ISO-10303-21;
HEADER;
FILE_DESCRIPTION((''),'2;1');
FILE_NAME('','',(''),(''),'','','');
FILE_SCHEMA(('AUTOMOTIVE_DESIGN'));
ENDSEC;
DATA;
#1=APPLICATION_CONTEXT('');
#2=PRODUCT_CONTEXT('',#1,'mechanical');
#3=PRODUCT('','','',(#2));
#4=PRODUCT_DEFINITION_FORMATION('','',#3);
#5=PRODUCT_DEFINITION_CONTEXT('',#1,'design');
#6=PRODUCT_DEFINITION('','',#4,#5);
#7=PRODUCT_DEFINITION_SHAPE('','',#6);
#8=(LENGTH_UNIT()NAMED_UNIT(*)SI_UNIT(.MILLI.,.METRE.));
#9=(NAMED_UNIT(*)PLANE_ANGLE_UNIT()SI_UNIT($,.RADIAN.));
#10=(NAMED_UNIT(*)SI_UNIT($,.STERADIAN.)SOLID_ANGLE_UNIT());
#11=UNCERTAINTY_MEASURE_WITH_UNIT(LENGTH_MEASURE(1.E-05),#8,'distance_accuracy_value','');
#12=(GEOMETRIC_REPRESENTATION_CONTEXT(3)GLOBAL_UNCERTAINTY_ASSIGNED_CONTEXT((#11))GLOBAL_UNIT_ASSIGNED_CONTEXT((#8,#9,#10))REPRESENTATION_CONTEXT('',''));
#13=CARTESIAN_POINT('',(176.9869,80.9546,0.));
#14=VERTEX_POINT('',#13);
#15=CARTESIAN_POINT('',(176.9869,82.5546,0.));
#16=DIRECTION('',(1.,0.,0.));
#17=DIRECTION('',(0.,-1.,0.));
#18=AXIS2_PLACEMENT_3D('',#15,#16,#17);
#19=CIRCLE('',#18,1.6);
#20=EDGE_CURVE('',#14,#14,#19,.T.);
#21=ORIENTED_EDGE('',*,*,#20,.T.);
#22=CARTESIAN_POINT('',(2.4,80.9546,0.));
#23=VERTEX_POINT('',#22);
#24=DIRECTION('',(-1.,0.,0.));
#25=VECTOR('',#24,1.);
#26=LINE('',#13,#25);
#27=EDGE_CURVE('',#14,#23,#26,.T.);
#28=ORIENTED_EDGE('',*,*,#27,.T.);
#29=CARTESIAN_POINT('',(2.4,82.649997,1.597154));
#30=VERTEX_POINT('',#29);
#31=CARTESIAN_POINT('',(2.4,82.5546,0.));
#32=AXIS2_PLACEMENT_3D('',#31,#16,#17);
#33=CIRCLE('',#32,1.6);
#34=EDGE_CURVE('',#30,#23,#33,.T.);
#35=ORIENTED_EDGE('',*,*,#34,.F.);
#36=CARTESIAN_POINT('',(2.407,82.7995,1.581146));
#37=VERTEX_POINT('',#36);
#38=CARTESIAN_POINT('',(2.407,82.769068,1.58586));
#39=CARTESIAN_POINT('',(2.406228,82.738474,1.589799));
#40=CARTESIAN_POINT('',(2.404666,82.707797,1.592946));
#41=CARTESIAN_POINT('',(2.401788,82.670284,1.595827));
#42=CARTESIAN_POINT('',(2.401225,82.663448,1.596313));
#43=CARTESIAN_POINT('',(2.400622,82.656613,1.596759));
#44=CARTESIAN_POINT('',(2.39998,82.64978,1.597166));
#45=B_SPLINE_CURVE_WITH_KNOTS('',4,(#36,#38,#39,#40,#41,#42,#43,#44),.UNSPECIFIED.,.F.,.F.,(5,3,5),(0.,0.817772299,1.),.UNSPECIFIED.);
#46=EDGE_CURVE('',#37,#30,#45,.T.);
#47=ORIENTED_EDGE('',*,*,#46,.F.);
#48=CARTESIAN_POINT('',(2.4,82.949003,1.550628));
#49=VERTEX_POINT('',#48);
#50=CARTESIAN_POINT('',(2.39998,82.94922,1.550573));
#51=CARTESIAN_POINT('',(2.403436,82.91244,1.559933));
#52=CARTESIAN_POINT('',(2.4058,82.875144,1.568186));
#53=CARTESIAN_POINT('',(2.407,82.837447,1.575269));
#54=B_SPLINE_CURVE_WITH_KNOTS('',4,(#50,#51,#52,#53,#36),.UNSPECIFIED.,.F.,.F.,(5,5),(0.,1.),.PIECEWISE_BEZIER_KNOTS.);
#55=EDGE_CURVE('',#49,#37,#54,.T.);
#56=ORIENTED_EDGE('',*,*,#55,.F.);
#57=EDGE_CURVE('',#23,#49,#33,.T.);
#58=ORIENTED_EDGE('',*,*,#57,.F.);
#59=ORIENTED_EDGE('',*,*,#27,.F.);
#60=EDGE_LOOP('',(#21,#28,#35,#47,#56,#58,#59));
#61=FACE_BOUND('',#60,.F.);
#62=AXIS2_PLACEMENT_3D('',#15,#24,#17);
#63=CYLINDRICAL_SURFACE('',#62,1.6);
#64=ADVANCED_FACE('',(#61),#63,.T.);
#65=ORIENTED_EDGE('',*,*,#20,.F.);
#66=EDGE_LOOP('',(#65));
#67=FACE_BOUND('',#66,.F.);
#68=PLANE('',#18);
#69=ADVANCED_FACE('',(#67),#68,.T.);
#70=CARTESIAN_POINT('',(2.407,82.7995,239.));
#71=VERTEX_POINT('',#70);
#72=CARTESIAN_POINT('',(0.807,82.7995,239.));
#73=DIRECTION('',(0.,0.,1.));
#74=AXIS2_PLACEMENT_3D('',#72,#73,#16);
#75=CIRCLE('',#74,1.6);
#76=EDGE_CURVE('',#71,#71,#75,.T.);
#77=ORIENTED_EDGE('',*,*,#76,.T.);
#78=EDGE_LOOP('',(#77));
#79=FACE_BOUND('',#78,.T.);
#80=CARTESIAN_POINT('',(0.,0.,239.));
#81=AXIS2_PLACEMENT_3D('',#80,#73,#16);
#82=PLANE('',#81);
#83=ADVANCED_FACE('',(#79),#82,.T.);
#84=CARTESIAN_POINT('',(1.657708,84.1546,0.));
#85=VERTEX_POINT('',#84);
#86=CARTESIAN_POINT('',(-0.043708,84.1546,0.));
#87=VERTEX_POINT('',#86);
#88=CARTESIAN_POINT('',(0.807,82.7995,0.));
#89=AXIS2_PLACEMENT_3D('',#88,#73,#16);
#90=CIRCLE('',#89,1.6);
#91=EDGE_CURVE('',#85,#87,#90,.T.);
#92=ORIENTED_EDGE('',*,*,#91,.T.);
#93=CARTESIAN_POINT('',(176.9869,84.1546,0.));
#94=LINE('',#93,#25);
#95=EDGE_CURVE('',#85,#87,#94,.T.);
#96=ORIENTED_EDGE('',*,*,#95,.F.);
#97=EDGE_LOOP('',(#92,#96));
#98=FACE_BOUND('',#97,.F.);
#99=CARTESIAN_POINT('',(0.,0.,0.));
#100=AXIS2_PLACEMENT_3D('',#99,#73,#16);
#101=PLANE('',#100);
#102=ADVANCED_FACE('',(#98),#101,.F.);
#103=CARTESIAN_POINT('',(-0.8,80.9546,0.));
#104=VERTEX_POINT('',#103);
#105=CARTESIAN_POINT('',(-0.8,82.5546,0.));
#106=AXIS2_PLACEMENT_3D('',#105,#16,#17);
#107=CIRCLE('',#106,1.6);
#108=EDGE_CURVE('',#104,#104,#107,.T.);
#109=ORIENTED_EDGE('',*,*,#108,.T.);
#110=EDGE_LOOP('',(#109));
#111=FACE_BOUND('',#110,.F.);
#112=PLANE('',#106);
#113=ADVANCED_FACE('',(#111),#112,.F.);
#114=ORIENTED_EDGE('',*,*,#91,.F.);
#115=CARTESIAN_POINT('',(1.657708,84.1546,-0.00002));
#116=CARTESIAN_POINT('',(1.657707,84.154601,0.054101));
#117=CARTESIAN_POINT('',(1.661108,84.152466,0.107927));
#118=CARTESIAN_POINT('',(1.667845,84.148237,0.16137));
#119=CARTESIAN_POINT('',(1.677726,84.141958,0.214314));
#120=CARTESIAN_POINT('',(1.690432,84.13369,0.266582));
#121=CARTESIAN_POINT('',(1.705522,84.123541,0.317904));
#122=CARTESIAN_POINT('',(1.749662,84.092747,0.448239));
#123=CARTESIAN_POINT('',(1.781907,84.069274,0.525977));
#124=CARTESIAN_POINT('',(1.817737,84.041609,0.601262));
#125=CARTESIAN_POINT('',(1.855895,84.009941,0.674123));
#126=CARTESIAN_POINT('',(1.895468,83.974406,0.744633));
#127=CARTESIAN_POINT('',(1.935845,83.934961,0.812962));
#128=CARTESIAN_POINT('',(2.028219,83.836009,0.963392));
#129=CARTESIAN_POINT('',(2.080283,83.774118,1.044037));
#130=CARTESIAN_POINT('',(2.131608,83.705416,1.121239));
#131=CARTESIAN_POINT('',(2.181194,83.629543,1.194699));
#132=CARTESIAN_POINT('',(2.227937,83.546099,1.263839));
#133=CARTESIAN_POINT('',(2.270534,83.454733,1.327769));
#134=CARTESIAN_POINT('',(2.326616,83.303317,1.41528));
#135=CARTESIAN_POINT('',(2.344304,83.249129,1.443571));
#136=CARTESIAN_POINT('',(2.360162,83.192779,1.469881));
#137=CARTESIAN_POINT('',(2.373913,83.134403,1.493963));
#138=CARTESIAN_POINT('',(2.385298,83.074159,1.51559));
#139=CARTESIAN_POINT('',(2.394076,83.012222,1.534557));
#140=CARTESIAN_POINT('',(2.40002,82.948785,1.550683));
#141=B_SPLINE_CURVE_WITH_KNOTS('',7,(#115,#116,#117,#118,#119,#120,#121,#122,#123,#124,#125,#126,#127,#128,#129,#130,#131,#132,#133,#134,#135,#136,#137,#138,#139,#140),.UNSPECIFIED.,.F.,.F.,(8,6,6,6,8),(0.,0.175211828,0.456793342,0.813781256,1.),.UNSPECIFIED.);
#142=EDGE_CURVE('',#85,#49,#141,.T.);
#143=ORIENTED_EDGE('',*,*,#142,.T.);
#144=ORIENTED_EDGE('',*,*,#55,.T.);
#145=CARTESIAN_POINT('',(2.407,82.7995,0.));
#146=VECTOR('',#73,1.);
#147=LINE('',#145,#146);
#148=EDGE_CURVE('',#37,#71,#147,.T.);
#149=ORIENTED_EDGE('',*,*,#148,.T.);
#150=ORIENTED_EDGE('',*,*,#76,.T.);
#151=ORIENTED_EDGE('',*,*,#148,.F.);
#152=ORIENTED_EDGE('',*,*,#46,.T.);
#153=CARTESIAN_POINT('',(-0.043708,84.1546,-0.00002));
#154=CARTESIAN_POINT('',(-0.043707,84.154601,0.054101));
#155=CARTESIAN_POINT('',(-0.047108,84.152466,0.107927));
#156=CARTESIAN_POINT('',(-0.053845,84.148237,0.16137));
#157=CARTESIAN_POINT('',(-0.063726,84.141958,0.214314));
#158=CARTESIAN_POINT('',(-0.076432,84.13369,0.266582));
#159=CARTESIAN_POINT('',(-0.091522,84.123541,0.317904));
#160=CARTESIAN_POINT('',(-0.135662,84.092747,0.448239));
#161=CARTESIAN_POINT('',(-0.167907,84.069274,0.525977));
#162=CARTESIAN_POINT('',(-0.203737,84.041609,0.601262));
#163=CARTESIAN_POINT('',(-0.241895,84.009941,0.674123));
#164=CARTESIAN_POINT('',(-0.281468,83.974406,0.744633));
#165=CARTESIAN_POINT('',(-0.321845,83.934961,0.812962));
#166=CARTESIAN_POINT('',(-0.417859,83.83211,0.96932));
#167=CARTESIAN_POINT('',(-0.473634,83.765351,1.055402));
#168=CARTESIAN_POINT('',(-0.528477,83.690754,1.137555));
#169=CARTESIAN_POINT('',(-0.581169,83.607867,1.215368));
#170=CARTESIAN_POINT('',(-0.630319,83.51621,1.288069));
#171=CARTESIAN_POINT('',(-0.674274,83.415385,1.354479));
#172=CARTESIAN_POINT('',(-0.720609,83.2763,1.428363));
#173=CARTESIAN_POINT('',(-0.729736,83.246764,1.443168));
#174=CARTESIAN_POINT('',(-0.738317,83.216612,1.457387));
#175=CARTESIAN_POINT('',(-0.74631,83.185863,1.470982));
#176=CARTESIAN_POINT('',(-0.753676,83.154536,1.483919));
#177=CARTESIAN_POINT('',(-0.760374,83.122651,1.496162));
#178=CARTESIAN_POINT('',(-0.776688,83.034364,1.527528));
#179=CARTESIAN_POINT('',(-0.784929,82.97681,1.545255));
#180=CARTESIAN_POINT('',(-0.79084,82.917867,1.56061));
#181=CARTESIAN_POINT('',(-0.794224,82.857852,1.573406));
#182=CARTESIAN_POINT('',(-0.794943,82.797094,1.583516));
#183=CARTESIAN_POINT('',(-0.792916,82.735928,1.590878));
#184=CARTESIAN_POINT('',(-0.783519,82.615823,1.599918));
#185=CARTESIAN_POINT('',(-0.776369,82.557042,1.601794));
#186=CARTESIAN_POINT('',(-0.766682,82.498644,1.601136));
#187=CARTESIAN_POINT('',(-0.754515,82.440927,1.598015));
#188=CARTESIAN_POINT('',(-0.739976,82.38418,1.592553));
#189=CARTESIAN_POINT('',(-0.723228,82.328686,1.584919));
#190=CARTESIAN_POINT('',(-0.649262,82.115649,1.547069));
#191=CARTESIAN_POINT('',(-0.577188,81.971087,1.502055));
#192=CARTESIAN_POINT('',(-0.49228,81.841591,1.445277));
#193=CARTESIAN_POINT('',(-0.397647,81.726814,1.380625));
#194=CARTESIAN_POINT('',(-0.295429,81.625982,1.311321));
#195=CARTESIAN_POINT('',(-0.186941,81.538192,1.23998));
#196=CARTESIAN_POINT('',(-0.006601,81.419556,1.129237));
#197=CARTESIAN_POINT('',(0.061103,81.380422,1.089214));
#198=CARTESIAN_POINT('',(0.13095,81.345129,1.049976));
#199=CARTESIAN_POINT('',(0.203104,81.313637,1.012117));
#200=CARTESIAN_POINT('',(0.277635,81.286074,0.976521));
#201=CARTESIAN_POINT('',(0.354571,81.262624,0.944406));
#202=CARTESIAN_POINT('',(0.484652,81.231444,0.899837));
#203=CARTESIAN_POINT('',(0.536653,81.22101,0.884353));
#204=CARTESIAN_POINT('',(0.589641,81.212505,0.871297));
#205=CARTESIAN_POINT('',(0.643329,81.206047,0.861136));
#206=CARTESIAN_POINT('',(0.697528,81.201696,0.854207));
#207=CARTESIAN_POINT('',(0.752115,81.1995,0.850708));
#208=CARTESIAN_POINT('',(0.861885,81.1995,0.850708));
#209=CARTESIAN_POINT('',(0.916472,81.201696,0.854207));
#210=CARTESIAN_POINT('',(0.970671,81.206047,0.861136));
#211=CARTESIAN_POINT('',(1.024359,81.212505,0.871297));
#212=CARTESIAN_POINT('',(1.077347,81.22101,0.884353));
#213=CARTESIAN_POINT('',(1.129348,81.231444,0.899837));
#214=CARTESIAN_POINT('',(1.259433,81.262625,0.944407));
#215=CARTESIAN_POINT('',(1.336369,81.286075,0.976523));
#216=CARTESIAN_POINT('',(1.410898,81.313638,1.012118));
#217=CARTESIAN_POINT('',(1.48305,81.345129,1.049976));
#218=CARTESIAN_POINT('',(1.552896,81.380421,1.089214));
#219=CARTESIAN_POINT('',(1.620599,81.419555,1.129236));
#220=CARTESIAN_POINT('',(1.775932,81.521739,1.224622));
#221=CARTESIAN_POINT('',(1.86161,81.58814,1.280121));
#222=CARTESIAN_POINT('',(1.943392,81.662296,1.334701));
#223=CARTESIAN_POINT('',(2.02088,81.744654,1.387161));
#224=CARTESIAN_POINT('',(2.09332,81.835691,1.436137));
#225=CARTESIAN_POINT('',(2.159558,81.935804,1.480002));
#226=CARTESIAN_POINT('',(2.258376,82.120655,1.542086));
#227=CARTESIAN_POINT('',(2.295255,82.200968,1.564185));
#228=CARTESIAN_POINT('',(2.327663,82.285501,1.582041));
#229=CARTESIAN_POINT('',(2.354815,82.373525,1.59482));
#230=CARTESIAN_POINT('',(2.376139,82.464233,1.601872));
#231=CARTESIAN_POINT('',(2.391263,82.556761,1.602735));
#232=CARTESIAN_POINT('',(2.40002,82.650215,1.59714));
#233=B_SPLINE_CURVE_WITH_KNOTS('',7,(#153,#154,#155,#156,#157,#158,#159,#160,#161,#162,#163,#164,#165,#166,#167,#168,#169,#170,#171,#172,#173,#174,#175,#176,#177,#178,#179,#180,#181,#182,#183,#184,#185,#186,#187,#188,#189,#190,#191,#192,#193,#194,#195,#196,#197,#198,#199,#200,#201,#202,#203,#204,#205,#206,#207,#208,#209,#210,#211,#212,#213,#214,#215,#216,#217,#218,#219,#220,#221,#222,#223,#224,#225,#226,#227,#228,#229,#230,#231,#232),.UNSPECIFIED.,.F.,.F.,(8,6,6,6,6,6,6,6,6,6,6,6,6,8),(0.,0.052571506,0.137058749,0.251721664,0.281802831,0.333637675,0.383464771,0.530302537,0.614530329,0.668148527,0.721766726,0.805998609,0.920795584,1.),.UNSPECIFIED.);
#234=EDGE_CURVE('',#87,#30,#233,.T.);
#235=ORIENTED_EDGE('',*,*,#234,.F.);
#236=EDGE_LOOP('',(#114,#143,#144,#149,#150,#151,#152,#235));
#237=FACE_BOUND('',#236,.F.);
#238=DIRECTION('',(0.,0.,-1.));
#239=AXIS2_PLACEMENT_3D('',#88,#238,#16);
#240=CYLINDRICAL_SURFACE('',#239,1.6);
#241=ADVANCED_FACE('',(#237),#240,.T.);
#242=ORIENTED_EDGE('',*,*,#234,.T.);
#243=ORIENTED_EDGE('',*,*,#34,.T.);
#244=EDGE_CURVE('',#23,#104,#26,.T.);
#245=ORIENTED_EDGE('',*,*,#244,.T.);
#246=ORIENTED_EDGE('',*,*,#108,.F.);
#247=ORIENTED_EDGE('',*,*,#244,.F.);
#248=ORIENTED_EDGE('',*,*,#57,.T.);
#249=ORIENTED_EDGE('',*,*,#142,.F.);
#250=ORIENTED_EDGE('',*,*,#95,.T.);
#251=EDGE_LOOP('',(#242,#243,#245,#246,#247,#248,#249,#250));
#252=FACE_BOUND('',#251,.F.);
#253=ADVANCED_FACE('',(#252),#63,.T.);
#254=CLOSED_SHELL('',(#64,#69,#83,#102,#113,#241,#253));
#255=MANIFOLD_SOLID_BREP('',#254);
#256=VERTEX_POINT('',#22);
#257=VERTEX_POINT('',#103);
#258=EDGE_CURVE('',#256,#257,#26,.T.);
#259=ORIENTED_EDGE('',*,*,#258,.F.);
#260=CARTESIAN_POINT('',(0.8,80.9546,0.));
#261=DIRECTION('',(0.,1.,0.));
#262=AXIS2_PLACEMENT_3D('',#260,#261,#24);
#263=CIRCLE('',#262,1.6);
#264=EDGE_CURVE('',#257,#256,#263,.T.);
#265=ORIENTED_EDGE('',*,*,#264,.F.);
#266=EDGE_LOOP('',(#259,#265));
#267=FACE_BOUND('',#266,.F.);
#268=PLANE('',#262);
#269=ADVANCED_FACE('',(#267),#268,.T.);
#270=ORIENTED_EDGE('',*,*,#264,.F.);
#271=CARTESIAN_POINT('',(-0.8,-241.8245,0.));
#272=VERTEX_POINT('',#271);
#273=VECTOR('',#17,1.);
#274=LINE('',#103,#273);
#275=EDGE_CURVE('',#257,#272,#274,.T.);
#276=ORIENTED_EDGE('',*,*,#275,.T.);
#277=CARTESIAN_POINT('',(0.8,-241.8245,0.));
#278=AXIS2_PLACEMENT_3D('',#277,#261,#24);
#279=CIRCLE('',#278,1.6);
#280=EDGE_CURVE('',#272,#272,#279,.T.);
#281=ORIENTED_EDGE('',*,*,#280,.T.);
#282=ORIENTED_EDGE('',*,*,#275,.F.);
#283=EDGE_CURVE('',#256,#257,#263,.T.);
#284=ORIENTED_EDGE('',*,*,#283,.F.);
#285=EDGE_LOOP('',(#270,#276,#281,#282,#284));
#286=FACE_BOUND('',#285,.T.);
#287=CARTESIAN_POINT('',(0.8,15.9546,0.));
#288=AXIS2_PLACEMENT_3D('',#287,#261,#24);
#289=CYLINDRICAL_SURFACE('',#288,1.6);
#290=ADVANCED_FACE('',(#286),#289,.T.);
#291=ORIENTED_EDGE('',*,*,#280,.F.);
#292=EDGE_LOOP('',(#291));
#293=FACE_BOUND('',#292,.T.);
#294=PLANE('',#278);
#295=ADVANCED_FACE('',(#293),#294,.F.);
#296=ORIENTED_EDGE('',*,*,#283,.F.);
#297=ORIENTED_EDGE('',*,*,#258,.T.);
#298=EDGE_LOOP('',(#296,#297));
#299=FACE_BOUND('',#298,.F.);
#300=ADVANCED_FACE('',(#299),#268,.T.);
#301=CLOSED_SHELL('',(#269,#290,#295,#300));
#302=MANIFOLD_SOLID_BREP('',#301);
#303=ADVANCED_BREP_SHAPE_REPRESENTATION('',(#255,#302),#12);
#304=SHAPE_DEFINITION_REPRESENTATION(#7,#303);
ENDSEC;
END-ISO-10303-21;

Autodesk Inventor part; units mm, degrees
ref_plane "YZ Plane" through (0, 0, 0) normal (1, 0, 0) x (0, 1, 0)
ref_plane "XZ Plane" through (0, 0, 0) normal (0, 1, 0) x (-1, 0, 0)
ref_plane "XY Plane" through (0, 0, 0) normal (0, 0, 1) x (1, 0, 0)
ref_plane "РабПлоскость1" through (0, 0, 0) normal (0, 0, 1) x (1, 0, 0)
sketch "Эскиз1" plane through (0, 0, 0) normal (0, 0, 1) x (1, 0, 0)
  line L0 (-0.8, 15.9546) -> (-0.8, 80.9546)
  line L1 (0.8, 15.9546) -> (0.8, 80.9546)
  line L2 (0.8, 80.9546) -> (-0.8, 80.9546)
  line L3 (-0.8, 15.9546) -> (0.8, 15.9546)
  line L4 (0.8, 15.9546) -> (0.8, -241.8245)
  line L5 (0.8, -241.8245) -> (-0.8, -241.8245)
  line L6 (-0.8, -241.8245) -> (-0.8, 15.9546)
  point P0 (0, 0)
revolve "Вращение1" add sketch "Эскиз1" angle 360 about axis through (0.8, 15.9546, 0) along (0, 1, 0)
ref_plane "РабПлоскость2" through (0, 0, 0) normal (0, 0, 1) x (1, 0, 0)
sketch "Эскиз2" plane through (0, 0, 0) normal (0, 0, 1) x (1, 0, 0)
  line L0 (-0.8, 84.1546) -> (176.9869, 84.1546)
  line L1 (176.9869, 84.1546) -> (176.9869, 80.9546)
  line L2 (176.9869, 80.9546) -> (-0.8, 80.9546)
  line L3 (-0.8, 80.9546) -> (-0.8, 84.1546)
  line L4 (2.4, -241.8245) -> (-0.8, -241.8245) projected
  line L5 (2.4, 80.9546) -> (-0.8, 80.9546) projected
  line L6 (-0.8, 82.5546) -> (176.9869, 82.5546)
  point P0 (0, 0)
  dimension "d1" = 3.2
revolve "Вращение2" add sketch "Эскиз2" angle 360 about axis through (-0.8, 82.5546, 0) along (1, 0, 0) contours L6 L1 L2 L3
ref_plane "РабПлоскость3" through (0, 0, 0) normal (0, 0, 1) x (1, 0, 0)
sketch "Эскиз3" plane through (0, 0, 0) normal (0, 0, 1) x (1, 0, 0)
  circle A0 centre (0.807, 82.7995) radius 1.6
  point P0 (0, 0)
  dimension "d3" = 3.2
extrude "Выдавливание1" add sketch "Эскиз3" along normal blind 239
properties part number "соси"
